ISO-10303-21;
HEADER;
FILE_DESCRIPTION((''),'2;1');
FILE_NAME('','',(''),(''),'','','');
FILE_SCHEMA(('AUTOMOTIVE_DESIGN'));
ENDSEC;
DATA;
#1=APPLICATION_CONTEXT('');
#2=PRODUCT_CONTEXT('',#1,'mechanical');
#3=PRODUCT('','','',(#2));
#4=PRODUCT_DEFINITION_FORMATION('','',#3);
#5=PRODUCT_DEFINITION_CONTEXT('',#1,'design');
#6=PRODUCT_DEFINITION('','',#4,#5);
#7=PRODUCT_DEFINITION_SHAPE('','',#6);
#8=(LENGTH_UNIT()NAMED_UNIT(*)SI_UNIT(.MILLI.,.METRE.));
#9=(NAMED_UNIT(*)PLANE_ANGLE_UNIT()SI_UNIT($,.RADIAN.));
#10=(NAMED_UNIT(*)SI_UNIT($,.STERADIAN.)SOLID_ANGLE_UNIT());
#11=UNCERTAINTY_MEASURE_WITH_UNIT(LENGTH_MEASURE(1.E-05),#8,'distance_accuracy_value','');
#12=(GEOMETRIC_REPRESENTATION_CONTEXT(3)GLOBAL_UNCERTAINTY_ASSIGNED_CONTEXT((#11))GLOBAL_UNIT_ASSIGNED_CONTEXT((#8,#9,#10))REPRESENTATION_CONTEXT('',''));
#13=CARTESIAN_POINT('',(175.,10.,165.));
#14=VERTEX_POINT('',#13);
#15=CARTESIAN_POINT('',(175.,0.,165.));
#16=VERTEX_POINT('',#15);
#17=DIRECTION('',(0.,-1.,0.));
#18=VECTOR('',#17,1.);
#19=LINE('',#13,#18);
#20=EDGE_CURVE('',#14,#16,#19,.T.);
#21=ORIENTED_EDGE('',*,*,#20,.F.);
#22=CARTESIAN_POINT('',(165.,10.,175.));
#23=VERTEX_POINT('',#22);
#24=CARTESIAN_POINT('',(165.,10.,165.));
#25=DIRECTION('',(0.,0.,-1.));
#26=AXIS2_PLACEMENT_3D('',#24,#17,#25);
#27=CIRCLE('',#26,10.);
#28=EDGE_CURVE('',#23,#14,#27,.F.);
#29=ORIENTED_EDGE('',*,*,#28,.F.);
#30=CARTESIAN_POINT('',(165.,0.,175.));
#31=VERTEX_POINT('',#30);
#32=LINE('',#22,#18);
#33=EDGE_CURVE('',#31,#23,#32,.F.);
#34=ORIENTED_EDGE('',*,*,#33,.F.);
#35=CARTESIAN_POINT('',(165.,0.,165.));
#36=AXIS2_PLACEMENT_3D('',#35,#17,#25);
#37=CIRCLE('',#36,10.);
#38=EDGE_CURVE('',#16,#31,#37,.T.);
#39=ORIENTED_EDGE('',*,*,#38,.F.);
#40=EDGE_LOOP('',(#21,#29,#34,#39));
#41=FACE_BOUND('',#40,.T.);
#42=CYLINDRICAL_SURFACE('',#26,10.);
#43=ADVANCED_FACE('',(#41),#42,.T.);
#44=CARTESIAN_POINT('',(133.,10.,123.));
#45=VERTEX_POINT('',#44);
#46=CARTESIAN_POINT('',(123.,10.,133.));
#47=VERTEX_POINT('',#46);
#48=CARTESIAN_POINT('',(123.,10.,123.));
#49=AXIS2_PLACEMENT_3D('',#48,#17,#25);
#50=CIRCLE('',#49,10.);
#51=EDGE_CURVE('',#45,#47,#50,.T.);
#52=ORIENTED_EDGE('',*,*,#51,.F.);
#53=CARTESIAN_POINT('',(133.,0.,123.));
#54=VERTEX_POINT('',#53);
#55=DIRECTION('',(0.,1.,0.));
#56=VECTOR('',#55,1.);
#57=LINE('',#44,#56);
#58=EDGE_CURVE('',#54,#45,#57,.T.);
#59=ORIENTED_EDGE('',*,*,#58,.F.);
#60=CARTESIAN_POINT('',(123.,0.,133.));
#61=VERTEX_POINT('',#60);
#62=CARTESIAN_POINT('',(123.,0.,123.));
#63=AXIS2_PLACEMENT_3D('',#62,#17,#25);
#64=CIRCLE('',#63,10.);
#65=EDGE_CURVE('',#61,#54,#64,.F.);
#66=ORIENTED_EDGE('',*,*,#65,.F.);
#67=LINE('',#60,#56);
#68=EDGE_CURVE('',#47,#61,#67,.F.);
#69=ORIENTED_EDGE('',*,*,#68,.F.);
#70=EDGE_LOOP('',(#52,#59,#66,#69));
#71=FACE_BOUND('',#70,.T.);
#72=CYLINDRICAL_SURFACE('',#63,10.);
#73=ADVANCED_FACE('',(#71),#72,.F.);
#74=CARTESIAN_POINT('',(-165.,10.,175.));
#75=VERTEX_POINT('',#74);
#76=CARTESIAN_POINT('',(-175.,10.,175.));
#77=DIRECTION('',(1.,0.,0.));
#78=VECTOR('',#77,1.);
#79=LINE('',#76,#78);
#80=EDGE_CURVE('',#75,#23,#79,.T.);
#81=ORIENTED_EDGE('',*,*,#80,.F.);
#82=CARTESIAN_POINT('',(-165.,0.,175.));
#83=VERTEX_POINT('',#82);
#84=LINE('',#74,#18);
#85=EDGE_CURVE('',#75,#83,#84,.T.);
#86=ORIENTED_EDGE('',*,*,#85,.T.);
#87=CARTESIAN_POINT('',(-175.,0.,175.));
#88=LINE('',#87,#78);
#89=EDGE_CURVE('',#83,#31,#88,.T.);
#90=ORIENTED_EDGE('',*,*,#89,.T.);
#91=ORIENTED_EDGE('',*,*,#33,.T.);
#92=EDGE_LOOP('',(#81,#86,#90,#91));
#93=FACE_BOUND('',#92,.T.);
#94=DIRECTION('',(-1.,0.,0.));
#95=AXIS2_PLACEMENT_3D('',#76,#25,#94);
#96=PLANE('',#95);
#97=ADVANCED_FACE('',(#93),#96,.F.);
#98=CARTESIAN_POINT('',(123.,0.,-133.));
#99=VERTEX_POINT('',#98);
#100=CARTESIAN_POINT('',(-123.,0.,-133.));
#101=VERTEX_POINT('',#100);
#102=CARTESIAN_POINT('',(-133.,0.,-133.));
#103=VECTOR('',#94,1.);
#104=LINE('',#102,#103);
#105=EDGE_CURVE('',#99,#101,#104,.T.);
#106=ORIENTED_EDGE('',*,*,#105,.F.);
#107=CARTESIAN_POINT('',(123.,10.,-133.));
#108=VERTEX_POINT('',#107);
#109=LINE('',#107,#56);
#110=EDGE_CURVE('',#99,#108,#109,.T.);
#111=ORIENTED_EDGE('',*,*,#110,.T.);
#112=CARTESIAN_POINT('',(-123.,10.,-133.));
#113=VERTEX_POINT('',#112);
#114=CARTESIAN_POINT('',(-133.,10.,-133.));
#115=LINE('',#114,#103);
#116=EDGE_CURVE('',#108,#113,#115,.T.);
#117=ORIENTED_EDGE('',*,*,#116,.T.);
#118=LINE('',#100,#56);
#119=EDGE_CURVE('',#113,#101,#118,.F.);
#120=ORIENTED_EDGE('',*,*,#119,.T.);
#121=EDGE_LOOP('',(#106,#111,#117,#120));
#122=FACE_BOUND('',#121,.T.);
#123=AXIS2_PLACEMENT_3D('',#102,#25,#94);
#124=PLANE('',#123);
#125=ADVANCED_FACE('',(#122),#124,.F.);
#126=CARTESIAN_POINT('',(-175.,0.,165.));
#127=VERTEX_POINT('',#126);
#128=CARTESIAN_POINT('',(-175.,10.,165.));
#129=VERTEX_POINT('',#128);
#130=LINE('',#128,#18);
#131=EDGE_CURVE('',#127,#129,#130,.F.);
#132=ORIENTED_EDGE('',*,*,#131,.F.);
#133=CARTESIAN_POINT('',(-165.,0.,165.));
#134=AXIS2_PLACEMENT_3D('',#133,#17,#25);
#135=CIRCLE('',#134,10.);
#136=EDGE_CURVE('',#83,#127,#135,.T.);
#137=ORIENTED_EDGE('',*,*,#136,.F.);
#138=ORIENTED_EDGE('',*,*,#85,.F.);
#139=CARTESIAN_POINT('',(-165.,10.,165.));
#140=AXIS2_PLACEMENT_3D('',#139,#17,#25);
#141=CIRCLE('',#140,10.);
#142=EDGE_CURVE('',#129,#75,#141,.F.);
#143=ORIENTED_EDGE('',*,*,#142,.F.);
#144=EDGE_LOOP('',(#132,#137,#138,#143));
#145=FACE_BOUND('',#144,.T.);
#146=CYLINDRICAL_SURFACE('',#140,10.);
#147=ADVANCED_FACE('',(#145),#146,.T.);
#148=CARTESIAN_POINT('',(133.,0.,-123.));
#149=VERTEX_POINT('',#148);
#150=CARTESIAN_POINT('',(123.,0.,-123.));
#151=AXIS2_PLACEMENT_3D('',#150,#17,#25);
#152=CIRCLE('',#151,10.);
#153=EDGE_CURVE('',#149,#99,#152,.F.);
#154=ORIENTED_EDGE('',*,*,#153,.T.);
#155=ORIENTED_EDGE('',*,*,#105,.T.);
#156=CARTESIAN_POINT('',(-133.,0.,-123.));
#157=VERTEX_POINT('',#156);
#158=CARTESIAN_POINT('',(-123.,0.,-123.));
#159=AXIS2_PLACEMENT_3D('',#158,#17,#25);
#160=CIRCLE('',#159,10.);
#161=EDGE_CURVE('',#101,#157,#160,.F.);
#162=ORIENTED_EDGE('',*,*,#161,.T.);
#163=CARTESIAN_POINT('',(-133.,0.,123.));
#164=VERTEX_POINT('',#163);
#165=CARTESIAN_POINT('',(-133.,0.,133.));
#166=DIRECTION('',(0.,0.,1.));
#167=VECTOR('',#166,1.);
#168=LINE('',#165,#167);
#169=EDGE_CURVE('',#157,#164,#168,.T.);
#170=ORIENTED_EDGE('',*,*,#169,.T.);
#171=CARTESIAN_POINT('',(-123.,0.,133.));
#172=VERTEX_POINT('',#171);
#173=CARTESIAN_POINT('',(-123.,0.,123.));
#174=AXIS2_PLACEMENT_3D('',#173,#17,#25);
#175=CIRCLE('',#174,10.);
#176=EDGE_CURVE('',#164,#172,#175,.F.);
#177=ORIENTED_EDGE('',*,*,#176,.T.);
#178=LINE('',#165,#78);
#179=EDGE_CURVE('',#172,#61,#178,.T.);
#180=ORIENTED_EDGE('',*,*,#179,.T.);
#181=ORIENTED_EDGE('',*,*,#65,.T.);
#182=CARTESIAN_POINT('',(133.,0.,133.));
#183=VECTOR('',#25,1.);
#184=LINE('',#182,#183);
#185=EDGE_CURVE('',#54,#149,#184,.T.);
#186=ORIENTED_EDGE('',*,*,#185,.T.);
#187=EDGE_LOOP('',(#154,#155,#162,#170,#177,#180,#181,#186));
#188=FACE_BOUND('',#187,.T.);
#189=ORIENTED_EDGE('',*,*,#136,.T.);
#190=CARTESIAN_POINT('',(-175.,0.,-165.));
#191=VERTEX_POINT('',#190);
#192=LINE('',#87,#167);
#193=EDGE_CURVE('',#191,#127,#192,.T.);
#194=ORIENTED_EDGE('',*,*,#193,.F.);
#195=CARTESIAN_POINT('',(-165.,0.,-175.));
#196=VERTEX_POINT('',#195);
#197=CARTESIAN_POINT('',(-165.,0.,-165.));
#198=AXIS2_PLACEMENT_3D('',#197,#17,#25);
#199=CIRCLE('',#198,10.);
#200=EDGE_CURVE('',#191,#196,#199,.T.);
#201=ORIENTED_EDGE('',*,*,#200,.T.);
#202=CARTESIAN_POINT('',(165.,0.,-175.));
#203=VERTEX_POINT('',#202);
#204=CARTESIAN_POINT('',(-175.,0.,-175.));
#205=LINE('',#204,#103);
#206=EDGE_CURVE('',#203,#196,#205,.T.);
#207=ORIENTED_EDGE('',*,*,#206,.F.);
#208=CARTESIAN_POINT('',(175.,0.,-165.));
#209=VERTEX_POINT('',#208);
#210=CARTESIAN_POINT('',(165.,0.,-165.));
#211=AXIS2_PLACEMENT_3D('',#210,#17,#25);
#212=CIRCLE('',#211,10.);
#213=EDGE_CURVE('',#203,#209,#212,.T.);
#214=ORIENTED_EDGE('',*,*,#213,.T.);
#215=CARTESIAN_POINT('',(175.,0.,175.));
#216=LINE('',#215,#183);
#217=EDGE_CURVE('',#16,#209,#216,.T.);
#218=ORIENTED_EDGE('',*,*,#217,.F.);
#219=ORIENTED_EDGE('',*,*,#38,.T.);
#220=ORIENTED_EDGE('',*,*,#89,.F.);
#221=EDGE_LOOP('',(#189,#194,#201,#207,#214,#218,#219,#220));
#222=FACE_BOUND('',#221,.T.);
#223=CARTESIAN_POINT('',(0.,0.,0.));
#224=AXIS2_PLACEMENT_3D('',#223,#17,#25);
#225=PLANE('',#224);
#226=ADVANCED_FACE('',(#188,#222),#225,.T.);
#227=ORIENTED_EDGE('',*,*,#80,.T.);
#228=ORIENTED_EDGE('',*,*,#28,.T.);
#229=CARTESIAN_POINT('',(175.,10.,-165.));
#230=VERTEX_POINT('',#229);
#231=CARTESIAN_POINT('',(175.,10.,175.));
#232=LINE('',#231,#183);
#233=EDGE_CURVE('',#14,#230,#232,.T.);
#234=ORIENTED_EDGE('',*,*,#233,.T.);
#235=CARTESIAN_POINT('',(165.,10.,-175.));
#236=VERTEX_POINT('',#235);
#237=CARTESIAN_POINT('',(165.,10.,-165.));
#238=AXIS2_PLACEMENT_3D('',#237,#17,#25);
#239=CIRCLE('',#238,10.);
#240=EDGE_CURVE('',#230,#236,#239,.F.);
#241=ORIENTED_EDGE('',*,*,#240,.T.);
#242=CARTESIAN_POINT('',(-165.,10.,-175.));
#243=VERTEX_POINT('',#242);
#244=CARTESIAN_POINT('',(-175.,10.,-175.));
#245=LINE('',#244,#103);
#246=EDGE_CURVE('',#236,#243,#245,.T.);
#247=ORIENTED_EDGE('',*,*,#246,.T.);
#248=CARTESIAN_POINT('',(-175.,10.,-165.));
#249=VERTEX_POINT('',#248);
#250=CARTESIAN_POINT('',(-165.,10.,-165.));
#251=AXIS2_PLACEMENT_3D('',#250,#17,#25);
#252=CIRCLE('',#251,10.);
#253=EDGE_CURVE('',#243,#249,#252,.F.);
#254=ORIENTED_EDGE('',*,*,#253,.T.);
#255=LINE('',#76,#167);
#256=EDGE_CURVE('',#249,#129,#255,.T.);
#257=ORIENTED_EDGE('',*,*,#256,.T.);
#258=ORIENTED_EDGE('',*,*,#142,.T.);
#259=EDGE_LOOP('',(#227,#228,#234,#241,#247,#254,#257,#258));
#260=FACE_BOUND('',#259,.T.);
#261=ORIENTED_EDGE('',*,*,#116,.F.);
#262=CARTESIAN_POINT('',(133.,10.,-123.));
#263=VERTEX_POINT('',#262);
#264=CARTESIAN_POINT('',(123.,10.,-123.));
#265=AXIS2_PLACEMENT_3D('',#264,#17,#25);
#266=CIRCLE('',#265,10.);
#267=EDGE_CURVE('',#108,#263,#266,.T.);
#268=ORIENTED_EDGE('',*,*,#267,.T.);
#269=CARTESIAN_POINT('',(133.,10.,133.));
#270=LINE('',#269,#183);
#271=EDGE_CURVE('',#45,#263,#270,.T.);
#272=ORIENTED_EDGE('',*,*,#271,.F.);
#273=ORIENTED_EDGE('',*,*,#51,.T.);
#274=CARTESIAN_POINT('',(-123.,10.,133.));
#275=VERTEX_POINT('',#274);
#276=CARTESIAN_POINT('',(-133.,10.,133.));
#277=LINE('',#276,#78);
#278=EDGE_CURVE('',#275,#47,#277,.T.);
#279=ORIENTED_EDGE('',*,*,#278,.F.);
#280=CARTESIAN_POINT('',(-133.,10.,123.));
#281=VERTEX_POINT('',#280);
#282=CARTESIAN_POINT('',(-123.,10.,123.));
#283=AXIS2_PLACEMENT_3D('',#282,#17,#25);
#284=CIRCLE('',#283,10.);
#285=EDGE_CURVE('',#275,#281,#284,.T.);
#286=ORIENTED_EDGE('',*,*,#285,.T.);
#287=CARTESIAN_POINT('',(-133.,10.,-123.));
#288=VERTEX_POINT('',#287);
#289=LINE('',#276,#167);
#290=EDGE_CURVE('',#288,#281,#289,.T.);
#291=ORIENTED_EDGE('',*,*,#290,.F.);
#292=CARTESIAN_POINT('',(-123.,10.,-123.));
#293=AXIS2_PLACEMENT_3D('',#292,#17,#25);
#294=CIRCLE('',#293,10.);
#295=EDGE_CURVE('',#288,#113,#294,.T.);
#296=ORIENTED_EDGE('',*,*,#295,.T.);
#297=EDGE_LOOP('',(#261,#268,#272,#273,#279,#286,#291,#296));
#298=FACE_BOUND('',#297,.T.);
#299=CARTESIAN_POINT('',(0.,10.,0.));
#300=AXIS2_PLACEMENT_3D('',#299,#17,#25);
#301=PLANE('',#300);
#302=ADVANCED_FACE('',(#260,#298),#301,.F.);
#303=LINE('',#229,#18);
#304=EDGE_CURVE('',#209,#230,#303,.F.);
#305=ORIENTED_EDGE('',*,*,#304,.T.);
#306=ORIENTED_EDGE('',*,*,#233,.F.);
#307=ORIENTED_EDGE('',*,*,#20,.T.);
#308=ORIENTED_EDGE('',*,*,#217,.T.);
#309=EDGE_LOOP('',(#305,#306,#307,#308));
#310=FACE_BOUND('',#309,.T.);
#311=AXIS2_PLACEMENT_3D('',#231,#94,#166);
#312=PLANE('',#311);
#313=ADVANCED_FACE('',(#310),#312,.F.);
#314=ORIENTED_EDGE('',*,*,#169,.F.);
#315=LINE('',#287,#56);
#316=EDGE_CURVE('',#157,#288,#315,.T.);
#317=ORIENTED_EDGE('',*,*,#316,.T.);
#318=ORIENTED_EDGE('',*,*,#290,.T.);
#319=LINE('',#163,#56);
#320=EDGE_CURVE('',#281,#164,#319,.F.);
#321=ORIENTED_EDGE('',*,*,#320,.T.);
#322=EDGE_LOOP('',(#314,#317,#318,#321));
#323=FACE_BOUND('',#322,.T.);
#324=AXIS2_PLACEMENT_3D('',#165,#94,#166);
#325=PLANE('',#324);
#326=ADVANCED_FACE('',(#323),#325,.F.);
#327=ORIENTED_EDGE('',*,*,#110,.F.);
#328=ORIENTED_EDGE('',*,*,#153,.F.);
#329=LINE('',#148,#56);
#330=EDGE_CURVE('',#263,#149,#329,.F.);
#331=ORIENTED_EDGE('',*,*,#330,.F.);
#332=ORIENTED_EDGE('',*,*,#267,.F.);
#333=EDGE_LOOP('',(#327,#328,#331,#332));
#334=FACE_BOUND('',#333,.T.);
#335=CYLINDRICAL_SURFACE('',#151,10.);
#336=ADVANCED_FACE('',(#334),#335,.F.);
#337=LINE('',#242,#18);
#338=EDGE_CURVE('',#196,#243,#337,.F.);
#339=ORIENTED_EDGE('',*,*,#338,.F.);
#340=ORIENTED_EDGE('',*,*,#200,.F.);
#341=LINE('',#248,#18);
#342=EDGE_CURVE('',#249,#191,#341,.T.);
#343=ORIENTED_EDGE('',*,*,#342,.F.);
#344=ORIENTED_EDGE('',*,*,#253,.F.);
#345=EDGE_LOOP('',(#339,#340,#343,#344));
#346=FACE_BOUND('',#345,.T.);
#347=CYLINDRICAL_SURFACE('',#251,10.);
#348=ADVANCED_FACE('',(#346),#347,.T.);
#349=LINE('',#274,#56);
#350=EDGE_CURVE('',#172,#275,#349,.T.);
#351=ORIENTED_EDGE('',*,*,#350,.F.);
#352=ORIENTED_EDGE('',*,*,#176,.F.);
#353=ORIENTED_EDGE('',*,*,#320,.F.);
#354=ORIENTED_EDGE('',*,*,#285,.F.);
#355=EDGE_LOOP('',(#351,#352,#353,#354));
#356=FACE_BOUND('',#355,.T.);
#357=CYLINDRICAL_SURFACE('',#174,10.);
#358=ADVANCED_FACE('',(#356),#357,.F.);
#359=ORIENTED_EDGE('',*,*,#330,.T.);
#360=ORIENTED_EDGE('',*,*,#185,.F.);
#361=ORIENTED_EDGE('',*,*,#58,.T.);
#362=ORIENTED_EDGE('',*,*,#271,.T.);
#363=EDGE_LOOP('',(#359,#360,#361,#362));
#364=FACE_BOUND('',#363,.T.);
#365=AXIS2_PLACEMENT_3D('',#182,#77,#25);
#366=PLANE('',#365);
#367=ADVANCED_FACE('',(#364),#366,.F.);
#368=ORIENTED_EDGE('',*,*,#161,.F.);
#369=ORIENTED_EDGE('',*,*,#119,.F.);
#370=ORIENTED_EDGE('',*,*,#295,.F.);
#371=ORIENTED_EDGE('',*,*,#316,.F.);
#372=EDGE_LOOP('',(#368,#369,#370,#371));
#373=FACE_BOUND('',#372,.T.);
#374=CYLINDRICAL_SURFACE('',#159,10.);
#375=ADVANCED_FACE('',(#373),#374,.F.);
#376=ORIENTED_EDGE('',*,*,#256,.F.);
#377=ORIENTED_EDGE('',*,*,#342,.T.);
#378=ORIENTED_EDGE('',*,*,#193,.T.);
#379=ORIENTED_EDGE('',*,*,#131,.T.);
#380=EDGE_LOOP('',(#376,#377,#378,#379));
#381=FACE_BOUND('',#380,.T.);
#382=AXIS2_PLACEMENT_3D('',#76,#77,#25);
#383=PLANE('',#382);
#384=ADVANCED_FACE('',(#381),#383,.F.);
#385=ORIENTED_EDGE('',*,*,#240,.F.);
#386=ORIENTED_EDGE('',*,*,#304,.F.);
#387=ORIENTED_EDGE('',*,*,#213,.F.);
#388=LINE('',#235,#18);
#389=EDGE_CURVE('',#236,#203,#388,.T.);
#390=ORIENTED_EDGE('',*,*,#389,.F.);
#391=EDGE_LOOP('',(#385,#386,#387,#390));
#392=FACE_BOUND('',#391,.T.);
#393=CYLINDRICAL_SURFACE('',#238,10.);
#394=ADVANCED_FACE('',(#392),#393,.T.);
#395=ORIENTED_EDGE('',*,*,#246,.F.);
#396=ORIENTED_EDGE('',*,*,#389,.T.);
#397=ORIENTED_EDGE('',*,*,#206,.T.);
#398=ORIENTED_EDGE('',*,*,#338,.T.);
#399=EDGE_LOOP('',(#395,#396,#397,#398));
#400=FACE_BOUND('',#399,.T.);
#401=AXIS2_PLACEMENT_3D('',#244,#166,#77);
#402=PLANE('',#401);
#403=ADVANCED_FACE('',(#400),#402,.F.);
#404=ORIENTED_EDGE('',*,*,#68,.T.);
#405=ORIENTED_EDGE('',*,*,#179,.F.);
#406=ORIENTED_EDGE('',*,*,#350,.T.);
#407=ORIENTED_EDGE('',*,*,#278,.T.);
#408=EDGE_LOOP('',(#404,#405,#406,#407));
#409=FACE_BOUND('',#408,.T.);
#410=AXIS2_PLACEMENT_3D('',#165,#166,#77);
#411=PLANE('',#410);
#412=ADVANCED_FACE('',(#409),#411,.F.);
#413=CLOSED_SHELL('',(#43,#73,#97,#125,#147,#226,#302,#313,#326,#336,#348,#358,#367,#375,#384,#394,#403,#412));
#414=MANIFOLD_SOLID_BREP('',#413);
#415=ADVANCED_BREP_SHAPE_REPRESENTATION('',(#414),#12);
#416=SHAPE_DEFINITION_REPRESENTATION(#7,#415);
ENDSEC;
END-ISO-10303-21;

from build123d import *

# Parameters (mm, degrees)
SKETCH1_W           = 350
SKETCH1_H           = 350
BOSS_EXTRUDE1_DEPTH = 10
SKETCH2_W           = 266
SKETCH2_H           = 266
CUT_EXTRUDE1_DEPTH  = 248.68932153
FILLET1_R           = 10


with BuildPart() as part:
    # Sketch1 → Boss-Extrude1 (new body)
    with BuildSketch(Plane(origin=(0, 0, 0), x_dir=(1, 0, 0), z_dir=(0, 1, 0))):
        Rectangle(SKETCH1_W, SKETCH1_H)
    extrude(amount=BOSS_EXTRUDE1_DEPTH)

    # Sketch2 → Cut-Extrude1 (cut, through all)
    with BuildSketch(Plane(origin=(0, 10, 0), x_dir=(1, 0, 0), z_dir=(0, 1, 0))):
        Rectangle(SKETCH2_W, SKETCH2_H)
    extrude(amount=-CUT_EXTRUDE1_DEPTH, mode=Mode.SUBTRACT)

    # Fillet1
    fillet1_edges = [part.edges().sort_by_distance(p)[0] for p in [
        (133, 5, -133),
        (133, 5, 133),
        (-133, 5, 133),
        (-133, 5, -133),
        (175, 5, 175),
        (-175, 5, 175),
        (-175, 5, -175),
        (175, 5, -175),
    ]]
    fillet(fillet1_edges, radius=FILLET1_R)


solid = part.part
